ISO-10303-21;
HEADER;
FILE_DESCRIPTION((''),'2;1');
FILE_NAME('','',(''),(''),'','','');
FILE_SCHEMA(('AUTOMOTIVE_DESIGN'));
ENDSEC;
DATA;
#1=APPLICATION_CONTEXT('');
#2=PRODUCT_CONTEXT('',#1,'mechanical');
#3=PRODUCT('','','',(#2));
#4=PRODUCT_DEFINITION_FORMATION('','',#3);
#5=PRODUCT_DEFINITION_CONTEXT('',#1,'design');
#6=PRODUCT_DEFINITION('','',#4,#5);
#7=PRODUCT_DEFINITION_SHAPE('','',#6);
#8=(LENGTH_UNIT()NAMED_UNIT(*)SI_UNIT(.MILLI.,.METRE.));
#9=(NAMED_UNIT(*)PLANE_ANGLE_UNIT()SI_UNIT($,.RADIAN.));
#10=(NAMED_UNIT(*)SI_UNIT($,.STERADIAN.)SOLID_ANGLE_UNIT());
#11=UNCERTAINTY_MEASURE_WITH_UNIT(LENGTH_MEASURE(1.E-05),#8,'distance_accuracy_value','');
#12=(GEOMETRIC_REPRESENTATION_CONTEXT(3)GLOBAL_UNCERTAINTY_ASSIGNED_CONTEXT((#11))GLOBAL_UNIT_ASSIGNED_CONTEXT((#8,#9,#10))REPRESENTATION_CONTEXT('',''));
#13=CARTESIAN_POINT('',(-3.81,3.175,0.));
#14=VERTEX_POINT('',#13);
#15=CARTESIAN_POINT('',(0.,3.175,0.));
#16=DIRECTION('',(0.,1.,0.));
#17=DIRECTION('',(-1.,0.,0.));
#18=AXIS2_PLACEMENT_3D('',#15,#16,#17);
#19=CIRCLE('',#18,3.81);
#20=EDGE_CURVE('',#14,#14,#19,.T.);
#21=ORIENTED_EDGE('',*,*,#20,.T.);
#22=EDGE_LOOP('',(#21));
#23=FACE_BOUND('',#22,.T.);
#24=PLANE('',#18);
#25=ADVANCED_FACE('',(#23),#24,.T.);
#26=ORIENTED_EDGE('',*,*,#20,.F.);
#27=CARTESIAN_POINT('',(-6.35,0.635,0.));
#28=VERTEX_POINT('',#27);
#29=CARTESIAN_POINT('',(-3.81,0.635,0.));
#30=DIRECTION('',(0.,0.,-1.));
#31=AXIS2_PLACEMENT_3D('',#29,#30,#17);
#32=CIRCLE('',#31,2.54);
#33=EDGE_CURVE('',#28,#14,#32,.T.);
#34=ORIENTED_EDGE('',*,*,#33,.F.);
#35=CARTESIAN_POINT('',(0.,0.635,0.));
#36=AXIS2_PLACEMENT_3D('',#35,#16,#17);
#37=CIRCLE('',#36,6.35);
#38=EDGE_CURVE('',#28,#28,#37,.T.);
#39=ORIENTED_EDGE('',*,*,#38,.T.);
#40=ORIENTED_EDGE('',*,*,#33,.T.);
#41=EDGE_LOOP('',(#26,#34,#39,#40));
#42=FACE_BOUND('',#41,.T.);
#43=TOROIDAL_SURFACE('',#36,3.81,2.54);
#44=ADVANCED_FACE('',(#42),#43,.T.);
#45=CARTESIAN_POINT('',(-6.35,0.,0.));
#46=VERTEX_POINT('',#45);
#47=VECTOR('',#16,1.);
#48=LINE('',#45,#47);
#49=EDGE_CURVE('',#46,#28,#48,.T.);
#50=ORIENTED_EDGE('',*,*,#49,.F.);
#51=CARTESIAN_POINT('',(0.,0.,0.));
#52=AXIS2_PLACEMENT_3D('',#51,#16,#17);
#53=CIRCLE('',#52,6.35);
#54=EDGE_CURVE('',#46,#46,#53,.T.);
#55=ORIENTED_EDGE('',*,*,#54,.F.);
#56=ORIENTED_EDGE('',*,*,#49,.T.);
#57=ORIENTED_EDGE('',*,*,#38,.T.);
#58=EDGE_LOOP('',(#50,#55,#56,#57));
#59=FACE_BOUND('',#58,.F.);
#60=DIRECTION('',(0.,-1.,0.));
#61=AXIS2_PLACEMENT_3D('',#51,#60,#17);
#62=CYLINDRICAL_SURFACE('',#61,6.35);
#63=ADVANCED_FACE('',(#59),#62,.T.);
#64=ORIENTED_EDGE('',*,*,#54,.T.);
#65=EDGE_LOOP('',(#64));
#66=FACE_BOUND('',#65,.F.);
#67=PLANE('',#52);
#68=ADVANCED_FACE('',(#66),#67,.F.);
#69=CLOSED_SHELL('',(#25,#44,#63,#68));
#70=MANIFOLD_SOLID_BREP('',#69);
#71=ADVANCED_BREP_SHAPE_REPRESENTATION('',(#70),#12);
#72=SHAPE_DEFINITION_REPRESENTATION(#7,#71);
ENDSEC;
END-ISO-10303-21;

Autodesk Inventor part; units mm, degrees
ref_plane "YZ Plane" through (0, 0, 0) normal (1, 0, 0) x (0, 1, 0)
ref_plane "XZ Plane" through (0, 0, 0) normal (0, 1, 0) x (-1, 0, 0)
ref_plane "XY Plane" through (0, 0, 0) normal (0, 0, 1) x (1, 0, 0)
sketch "Sketch1" plane through (0, 0, 0) normal (0, 1, 0) x (-1, 0, 0)
  circle A0 centre (0, 0) radius 6.35
  dimension "d0" = 12.7
extrude "Extrusion1" add sketch "Sketch1" along normal blind 3.175
fillet "Fillet1" radius 2.54 1 edges at (6.35, 3.175, 0)
properties part number "minion-eye" material "PAEK Plastic"
